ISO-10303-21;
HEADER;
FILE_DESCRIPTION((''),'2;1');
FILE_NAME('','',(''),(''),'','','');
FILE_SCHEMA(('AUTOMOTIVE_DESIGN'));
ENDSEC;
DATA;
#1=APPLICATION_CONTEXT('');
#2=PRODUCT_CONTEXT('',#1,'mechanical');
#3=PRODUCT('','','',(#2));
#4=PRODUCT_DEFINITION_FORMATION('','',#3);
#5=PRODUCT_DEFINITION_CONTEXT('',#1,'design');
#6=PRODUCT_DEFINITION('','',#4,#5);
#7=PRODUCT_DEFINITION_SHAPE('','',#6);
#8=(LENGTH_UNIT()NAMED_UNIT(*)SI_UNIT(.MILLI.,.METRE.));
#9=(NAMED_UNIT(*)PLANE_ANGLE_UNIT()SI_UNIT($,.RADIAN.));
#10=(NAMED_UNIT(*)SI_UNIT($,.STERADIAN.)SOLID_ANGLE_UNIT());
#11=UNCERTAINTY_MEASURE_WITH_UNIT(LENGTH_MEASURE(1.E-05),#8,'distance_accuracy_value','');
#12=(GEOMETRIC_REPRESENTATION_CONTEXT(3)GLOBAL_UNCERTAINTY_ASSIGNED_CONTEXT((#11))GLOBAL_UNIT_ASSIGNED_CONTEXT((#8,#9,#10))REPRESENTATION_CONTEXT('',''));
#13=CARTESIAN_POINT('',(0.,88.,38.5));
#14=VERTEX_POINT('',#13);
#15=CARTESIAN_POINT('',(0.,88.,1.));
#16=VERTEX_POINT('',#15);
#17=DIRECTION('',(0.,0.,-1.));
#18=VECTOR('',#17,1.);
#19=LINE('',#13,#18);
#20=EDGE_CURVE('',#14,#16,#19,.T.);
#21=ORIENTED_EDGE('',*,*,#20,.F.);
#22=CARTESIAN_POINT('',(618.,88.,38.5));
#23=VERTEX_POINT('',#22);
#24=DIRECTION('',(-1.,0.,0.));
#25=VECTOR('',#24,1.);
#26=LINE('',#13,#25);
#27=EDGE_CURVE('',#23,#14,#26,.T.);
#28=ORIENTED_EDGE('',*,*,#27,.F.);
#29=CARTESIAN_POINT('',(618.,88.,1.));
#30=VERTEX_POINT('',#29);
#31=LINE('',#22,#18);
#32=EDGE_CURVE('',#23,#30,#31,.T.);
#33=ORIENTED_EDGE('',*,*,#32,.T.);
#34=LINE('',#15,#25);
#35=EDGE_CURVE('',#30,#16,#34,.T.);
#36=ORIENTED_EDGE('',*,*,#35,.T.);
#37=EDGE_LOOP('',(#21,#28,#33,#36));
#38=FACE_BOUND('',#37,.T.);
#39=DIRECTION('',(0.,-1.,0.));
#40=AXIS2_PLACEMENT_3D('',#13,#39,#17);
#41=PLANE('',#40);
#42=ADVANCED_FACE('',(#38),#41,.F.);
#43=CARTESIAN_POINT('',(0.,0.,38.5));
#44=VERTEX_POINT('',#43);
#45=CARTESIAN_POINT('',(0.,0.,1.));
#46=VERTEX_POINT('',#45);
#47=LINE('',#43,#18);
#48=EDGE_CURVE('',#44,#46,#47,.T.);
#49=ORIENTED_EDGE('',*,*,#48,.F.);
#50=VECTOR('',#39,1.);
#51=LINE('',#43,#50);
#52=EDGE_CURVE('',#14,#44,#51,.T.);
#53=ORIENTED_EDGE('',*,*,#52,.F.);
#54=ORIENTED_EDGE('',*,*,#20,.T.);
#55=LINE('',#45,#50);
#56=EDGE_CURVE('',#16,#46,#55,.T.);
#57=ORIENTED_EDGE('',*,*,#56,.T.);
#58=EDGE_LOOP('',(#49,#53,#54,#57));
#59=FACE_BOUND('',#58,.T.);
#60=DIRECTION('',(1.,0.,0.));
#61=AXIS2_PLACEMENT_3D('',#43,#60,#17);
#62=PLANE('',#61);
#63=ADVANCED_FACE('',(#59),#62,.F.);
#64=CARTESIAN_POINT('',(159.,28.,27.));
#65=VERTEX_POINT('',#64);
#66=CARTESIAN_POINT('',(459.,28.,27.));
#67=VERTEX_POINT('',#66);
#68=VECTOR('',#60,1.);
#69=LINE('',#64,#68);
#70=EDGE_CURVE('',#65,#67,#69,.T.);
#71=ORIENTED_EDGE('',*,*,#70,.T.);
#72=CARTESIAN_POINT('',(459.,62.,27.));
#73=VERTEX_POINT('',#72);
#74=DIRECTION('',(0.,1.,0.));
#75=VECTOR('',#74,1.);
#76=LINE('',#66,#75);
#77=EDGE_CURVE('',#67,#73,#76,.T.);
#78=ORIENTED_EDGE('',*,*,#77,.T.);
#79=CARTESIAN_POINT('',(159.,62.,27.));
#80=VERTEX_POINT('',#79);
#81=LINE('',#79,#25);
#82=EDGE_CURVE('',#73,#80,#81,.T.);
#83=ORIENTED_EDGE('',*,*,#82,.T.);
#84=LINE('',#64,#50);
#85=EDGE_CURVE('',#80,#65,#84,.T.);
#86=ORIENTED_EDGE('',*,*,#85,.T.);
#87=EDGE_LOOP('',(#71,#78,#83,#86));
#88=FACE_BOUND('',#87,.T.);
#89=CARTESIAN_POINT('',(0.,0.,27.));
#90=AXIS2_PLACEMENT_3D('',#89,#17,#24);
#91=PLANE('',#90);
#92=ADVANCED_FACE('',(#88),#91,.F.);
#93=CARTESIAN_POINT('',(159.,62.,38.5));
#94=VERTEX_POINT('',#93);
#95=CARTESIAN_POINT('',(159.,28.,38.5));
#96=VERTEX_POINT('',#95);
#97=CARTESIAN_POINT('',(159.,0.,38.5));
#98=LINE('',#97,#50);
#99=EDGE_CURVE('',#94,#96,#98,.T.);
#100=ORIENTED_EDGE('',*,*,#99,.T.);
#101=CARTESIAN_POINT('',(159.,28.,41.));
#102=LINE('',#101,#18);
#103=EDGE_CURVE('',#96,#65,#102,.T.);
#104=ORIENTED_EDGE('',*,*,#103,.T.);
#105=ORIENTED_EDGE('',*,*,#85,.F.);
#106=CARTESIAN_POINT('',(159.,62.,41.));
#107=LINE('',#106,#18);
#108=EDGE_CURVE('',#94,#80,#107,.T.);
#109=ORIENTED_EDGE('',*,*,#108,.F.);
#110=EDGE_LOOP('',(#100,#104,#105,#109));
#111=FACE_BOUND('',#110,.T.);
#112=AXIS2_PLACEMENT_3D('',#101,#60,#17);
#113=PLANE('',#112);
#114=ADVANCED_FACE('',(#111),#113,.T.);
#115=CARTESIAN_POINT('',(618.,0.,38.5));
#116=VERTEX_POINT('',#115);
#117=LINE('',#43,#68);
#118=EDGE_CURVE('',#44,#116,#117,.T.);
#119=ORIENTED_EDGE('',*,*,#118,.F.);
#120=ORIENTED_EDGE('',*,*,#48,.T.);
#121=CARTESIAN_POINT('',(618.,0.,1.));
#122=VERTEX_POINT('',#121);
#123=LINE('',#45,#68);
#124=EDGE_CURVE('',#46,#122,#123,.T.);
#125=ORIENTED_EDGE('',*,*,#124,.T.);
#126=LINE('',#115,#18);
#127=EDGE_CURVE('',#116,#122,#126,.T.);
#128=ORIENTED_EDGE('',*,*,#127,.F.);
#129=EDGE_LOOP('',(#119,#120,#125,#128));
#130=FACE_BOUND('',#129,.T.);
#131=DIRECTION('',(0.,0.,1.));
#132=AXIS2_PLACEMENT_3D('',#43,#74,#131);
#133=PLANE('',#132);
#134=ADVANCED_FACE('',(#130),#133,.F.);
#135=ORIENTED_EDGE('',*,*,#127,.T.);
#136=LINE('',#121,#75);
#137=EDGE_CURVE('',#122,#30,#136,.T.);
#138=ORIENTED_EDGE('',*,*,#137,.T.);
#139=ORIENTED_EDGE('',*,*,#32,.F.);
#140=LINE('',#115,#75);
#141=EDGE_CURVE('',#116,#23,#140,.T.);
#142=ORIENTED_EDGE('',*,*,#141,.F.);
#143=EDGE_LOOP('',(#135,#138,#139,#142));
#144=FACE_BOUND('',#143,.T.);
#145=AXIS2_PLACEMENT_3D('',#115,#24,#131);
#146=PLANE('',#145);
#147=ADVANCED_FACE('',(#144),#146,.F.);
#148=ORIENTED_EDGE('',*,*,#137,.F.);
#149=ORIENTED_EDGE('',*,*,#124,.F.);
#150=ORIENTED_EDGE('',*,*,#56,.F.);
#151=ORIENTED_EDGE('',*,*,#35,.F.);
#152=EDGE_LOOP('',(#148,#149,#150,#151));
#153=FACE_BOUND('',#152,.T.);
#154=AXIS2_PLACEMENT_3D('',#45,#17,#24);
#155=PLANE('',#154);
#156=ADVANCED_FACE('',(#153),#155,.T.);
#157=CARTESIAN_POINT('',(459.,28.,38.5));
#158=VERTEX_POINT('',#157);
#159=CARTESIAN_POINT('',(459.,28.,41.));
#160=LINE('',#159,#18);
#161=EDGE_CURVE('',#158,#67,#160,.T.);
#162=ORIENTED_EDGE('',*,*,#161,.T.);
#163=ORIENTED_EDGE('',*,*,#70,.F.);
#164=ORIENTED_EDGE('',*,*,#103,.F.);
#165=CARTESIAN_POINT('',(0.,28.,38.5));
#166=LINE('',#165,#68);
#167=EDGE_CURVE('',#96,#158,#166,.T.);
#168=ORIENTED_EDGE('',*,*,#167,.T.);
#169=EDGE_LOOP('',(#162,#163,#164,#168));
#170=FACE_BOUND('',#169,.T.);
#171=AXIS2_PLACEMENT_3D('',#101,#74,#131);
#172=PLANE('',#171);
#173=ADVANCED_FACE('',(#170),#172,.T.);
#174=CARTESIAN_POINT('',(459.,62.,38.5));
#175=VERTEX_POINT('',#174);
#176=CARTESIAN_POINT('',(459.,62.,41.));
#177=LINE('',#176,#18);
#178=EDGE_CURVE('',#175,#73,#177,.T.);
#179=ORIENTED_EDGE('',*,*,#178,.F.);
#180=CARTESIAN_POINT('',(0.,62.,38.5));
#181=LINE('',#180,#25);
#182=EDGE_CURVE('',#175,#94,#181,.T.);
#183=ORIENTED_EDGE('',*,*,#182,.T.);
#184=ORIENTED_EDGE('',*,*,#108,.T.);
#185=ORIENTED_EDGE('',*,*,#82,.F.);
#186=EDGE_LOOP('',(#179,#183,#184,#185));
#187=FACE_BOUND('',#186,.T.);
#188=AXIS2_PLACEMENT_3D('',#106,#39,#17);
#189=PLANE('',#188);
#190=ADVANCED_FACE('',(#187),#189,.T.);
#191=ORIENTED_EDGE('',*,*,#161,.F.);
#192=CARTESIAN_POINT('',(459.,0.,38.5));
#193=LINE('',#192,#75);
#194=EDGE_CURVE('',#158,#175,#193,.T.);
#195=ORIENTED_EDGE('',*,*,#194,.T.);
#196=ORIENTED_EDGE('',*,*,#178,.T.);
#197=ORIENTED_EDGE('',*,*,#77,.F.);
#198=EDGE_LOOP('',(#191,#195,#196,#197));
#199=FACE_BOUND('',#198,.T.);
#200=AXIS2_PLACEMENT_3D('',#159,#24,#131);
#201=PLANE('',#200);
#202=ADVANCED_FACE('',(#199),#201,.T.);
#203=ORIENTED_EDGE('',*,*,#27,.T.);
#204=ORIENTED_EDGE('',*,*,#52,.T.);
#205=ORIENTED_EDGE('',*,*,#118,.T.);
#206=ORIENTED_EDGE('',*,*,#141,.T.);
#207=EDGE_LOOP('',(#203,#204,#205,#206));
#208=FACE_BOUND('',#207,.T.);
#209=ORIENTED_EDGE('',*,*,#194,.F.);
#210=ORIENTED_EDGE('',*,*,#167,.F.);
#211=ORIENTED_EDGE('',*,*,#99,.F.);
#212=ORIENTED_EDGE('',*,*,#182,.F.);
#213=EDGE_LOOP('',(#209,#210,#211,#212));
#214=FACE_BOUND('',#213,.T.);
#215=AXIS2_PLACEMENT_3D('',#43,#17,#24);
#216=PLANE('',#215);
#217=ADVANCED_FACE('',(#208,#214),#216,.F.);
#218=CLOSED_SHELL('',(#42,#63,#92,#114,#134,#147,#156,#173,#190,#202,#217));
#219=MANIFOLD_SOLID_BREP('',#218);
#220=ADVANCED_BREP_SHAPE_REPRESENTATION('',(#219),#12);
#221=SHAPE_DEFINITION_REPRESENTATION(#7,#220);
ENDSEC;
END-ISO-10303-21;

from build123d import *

# Parameters (mm, degrees)
CEK_DONMUS_ON_PU_37_5_1_START = 1
SKETCH1_W                     = 618
SKETCH1_H                     = 88
CEK_DONMUS_ON_PU_37_5_1_DEPTH = 37.5
CEK_DONMUS_ON_PU_37_5_2_START = 27
SKETCH2_W                     = 300
SKETCH2_H                     = 34
CEK_DONMUS_ON_PU_37_5_2_DEPTH = 14


with BuildPart() as part:
    # Sketch1 → CEK_donmus_on_pu_37.5_1 (new body)
    with BuildSketch(Plane.XY.offset(CEK_DONMUS_ON_PU_37_5_1_START)):
        with Locations((309, 44)):
            Rectangle(SKETCH1_W, SKETCH1_H)
    extrude(amount=CEK_DONMUS_ON_PU_37_5_1_DEPTH)

    # Sketch2 → CEK_donmus_on_pu_37.5_2 (cut)
    with BuildSketch(Plane.XY.offset(CEK_DONMUS_ON_PU_37_5_2_START)):
        with Locations((309, 45)):
            Rectangle(SKETCH2_W, SKETCH2_H)
    extrude(amount=CEK_DONMUS_ON_PU_37_5_2_DEPTH, mode=Mode.SUBTRACT)


solid = part.part
